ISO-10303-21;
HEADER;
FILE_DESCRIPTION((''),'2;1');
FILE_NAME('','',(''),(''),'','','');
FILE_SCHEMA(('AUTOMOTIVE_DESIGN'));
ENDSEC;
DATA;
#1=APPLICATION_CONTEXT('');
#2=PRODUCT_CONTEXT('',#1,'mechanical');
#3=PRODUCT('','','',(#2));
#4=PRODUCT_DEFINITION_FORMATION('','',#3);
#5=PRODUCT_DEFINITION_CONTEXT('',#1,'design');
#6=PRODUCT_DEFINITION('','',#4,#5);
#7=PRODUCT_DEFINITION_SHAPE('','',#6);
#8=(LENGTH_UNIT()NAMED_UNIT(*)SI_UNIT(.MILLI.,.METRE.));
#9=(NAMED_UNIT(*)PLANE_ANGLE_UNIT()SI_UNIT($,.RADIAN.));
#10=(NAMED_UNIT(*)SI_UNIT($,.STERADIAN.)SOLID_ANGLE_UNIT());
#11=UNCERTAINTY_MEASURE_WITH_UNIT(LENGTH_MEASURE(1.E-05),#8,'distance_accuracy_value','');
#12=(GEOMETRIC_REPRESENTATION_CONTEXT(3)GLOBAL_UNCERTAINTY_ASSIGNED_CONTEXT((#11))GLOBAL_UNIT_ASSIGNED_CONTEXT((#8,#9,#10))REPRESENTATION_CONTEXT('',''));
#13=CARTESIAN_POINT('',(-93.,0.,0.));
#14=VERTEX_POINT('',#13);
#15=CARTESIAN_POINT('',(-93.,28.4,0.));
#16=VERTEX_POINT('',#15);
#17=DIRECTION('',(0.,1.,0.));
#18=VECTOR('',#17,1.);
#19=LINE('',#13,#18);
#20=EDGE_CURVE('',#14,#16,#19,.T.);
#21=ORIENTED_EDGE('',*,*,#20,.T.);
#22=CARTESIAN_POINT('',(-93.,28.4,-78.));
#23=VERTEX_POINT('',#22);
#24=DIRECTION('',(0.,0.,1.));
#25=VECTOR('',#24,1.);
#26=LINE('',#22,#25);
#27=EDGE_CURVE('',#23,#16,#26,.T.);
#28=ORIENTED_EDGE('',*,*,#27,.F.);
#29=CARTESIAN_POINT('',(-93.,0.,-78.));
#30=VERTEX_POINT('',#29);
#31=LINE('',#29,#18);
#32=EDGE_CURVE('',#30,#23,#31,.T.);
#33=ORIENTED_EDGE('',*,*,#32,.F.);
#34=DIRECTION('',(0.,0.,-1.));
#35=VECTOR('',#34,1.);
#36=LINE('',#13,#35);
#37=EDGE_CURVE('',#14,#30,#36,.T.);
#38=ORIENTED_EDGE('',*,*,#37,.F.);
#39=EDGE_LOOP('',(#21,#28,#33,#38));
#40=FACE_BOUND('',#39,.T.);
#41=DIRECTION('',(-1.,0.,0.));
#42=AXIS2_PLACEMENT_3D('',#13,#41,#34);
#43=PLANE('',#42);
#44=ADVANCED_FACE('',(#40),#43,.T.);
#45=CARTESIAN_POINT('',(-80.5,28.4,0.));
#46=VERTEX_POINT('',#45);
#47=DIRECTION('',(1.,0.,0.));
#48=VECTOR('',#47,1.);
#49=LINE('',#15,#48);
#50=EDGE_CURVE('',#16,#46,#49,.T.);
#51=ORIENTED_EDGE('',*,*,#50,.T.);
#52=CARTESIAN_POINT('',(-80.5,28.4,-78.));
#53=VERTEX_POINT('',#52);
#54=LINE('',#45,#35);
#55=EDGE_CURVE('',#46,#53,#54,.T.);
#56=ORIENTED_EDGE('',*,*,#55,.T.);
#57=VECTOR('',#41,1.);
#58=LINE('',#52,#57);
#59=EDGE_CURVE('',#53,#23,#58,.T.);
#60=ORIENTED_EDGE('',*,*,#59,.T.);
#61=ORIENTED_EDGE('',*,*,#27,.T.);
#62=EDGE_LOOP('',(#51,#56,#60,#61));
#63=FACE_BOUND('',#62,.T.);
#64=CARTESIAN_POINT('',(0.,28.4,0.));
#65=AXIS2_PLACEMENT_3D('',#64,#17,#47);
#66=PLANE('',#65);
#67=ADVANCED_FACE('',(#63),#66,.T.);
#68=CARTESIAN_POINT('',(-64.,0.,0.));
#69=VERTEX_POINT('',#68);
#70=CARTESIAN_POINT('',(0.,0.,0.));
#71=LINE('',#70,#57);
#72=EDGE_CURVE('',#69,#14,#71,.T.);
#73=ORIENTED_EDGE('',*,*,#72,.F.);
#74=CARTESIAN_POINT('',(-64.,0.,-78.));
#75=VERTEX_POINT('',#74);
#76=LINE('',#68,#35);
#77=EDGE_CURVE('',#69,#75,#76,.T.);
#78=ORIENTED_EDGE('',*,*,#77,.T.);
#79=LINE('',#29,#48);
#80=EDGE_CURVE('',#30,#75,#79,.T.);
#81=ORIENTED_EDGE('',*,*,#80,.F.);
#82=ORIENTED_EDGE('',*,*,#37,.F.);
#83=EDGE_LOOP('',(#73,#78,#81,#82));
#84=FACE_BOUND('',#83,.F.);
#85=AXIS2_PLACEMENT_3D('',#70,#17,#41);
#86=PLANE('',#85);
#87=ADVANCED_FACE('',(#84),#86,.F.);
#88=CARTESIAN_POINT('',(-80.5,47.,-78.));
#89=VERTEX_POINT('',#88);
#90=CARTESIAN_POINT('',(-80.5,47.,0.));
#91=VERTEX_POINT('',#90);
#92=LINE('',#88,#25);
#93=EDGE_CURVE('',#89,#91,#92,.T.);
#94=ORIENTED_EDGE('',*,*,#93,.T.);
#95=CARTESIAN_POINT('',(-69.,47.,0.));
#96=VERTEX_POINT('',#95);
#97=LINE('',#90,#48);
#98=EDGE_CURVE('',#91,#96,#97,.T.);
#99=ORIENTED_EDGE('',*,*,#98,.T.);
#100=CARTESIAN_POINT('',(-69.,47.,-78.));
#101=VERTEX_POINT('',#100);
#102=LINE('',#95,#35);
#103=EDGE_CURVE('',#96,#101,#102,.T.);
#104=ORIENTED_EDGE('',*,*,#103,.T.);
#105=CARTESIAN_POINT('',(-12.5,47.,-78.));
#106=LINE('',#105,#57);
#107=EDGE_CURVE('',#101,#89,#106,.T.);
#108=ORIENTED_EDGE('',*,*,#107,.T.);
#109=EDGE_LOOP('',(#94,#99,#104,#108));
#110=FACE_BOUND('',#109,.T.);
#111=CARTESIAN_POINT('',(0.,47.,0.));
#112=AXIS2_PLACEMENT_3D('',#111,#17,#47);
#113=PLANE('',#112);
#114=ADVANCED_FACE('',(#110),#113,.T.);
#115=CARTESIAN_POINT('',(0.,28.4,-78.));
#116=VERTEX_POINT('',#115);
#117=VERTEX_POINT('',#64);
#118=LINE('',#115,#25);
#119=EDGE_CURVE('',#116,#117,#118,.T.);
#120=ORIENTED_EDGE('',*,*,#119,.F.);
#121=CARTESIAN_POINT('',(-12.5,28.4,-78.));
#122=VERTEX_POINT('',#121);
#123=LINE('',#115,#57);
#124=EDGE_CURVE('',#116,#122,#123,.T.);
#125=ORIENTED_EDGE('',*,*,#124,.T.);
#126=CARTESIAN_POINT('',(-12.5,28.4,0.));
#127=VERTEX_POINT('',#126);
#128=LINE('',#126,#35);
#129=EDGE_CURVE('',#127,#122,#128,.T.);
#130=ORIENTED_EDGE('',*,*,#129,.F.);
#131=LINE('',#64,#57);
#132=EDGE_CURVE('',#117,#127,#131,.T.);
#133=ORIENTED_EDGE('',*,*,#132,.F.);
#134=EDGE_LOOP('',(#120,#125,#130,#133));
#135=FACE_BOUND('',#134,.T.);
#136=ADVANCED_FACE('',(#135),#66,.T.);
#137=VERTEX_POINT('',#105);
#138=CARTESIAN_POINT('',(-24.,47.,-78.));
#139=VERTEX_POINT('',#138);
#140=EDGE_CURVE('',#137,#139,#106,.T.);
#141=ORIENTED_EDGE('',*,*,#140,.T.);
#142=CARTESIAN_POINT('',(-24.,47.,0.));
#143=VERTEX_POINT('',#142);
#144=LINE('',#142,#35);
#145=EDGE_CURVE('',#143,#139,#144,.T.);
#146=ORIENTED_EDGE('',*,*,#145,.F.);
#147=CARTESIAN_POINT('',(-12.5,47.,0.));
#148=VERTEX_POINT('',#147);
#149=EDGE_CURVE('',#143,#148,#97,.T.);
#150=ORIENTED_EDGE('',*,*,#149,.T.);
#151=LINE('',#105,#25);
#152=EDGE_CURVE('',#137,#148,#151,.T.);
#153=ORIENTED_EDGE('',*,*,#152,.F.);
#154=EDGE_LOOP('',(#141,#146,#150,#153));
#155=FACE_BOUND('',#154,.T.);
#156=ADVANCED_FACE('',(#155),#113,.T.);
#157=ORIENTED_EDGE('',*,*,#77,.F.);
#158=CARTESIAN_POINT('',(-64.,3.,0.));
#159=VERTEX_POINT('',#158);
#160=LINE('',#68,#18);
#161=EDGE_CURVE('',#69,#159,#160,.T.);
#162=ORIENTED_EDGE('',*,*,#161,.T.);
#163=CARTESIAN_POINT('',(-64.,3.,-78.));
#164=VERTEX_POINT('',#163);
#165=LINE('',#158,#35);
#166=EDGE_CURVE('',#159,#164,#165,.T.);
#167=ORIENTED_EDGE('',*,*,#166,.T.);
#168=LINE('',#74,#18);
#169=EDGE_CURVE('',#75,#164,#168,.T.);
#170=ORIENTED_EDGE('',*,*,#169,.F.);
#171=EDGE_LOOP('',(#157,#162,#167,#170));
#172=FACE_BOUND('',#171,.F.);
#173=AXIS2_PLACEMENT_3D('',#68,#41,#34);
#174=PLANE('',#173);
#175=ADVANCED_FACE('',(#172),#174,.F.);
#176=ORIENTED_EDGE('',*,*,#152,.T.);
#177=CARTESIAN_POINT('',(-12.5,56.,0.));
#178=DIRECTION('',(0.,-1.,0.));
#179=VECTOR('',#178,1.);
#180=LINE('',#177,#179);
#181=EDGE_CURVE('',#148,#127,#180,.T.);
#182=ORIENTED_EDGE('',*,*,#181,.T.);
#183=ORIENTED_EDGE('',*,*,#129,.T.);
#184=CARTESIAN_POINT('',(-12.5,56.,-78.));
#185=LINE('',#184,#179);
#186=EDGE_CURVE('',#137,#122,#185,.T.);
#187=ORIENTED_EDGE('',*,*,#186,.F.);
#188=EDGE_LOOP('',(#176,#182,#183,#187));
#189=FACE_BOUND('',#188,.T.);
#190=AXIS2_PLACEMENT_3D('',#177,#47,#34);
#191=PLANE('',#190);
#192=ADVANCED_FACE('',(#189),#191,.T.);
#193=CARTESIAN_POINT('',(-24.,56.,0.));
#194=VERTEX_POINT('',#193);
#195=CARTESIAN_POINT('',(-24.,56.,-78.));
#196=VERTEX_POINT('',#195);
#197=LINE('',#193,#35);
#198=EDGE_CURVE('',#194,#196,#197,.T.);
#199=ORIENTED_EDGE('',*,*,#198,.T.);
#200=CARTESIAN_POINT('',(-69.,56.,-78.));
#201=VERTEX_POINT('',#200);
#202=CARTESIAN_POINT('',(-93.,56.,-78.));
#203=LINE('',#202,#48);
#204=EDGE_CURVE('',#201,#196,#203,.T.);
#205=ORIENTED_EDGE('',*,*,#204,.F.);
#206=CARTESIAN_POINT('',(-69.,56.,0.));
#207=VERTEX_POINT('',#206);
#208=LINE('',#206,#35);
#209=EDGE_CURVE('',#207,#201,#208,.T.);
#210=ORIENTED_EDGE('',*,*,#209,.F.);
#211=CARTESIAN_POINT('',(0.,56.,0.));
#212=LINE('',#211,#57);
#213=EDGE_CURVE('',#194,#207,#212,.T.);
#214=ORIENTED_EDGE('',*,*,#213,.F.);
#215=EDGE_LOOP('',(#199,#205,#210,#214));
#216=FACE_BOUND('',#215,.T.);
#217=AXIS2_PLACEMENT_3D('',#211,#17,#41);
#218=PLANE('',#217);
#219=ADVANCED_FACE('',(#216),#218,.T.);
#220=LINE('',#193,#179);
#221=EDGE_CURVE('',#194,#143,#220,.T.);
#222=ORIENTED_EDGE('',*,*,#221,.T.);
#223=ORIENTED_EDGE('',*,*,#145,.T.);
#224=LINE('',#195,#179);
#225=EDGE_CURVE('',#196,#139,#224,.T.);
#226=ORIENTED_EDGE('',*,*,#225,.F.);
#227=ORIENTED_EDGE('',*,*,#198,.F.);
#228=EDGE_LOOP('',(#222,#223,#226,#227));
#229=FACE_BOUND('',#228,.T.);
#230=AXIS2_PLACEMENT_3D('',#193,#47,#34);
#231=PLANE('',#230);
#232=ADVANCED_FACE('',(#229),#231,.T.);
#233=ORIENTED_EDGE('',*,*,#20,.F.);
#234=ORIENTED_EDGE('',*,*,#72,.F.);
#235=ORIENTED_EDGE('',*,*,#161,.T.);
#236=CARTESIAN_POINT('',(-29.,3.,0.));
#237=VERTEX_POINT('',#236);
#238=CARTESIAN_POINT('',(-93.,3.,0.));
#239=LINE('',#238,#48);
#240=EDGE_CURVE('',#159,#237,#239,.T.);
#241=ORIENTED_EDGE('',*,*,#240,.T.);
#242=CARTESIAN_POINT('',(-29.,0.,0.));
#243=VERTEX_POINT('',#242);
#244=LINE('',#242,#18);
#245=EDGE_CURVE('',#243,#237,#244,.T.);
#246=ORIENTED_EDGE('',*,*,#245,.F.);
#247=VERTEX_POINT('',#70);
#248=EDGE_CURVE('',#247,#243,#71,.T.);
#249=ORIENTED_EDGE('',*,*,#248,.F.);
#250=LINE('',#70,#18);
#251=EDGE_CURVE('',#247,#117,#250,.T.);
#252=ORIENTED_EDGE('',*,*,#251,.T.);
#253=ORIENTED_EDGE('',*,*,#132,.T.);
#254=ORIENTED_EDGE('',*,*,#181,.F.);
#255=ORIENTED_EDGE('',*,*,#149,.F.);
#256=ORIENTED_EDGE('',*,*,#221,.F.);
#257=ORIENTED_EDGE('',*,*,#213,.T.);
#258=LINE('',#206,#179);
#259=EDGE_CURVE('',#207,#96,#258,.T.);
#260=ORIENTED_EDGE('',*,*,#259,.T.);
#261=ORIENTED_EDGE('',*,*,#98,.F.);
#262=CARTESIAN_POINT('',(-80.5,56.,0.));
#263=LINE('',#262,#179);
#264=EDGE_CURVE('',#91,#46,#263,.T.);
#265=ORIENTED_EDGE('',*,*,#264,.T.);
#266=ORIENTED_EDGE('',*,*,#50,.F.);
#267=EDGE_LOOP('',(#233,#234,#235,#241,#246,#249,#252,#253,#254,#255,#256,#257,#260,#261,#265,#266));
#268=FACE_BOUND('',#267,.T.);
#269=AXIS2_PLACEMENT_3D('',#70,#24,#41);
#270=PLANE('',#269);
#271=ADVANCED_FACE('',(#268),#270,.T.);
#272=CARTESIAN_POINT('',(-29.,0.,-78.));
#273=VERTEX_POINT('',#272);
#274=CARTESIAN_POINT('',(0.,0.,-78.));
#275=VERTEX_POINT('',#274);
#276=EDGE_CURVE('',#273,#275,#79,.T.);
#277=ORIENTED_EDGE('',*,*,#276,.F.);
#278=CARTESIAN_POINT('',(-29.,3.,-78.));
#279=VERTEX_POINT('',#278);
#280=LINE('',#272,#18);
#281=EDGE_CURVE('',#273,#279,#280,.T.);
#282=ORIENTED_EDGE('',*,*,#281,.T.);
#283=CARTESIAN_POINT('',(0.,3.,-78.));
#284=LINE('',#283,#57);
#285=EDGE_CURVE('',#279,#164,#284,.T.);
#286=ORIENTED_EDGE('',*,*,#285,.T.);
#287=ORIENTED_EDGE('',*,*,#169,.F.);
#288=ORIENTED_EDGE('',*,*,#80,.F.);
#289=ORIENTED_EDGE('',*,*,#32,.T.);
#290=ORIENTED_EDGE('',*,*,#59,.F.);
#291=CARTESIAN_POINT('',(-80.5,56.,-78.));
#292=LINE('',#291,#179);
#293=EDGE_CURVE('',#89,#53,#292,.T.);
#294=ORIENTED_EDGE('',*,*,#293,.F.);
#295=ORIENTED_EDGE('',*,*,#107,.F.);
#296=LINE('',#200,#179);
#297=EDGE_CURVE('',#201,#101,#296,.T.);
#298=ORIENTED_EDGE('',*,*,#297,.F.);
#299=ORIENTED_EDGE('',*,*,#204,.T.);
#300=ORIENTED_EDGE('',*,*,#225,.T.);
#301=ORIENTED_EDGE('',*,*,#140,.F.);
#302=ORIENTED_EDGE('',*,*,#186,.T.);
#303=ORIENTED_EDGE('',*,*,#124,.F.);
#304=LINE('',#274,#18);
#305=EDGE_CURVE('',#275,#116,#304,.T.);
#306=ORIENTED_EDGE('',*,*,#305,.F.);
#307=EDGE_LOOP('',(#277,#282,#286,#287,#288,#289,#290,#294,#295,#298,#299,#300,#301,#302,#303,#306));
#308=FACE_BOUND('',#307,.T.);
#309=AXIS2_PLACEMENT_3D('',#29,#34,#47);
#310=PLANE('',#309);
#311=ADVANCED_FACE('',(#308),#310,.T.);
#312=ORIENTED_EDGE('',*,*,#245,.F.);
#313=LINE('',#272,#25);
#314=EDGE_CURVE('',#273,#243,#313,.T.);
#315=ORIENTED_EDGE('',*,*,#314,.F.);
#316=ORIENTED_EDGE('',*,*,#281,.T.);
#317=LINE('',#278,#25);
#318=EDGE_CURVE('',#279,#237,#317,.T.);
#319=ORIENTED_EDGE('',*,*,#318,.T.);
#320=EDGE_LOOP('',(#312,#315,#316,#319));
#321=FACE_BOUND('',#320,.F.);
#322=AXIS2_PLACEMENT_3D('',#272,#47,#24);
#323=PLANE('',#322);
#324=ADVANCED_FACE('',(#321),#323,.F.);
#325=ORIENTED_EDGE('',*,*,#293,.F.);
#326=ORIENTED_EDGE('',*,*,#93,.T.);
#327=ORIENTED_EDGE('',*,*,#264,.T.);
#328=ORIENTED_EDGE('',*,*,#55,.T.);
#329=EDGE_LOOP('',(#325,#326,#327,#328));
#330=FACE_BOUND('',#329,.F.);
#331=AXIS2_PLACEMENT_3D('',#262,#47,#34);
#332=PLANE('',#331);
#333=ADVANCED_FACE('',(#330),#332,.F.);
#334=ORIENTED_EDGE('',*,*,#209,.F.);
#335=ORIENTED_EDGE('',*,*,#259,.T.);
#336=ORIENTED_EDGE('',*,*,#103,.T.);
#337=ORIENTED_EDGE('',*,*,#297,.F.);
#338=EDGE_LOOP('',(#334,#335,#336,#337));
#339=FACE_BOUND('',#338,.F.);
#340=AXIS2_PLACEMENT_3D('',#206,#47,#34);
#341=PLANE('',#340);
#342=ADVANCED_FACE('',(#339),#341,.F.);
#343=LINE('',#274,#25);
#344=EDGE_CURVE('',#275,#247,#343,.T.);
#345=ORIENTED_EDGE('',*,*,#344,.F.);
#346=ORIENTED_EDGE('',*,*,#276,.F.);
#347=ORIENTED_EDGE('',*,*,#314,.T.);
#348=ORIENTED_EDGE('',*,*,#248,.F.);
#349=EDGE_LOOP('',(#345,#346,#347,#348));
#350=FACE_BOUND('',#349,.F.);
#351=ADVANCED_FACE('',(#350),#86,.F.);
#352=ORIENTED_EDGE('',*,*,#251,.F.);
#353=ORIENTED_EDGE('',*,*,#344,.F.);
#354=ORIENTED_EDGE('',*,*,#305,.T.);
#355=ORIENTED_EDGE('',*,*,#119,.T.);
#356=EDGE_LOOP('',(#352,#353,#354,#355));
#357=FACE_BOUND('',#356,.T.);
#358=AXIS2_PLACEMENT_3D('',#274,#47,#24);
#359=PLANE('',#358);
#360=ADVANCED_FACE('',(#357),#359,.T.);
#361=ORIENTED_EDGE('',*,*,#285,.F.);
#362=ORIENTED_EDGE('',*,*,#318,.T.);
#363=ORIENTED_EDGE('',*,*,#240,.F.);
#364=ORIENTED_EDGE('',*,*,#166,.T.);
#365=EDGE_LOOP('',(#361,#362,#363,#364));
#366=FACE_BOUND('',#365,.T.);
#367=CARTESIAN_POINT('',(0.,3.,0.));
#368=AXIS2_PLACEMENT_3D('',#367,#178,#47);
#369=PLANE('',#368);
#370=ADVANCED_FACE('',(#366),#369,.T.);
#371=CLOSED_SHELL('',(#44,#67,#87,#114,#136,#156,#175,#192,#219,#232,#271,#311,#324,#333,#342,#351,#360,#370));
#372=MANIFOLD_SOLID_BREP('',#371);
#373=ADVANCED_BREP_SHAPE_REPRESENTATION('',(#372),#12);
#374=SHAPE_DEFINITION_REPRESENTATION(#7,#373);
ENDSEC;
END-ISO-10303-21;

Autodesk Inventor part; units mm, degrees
ref_plane "YZ Plane" through (0, 0, 0) normal (1, 0, 0) x (0, 1, 0)
ref_plane "XZ Plane" through (0, 0, 0) normal (0, 1, 0) x (-1, 0, 0)
ref_plane "XY Plane" through (0, 0, 0) normal (0, 0, 1) x (1, 0, 0)
sketch "Sketch1" plane through (0, 0, 0) normal (0, 1, 0) x (-1, 0, 0)
  line L0 (0, 0) -> (93, 0)
  line L1 (93, 0) -> (93, -78)
  line L2 (93, -78) -> (0, -78)
  line L3 (0, -78) -> (0, 0)
  dimension "d0" = 78
  dimension "d1" = 93
extrude "Extrusion1" add sketch "Sketch1" along normal blind 56
sketch "Sketch2" plane through (0, 0, 0) normal (0, -1, 0) x (1, 0, 0)
  line L0 (-93, 0) -> (0, 0) projected
  line L1 (0, -78) -> (-93, -78) projected
  line L2 (-29, 0) -> (-64, 0)
  line L3 (-64, 0) -> (-64, -78)
  line L4 (-64, -78) -> (-29, -78)
  line L5 (-29, -78) -> (-29, 0)
  line L6 (-93, -78) -> (-93, 0) projected
  dimension "d4" = 29
  dimension "d5" = 35
extrude "Extrusion2" cut sketch "Sketch2" against normal blind 3 contours L0 L5 L1 L3
sketch "Sketch3" plane through (0, 56, 0) normal (0, 1, 0) x (1, 0, 0)
  line L0 (0, 78) -> (-29, 78) projected
  line L1 (0, 0) -> (-12.5, 0)
  line L2 (-12.5, 0) -> (-12.5, 78)
  line L3 (-12.5, 78) -> (0, 78)
  line L4 (0, 78) -> (0, 0)
  line L5 (-93, 0) -> (-64, 0) projected
  line L6 (-93, 0) -> (-80.5, 0)
  line L7 (-80.5, 0) -> (-80.5, 78)
  line L8 (-80.5, 78) -> (-93, 78)
  line L9 (-93, 78) -> (-93, 0)
  dimension "d8" = 12.5
  dimension "d9" = 12.5
extrude "Extrusion3" cut sketch "Sketch3" against normal blind 27.6
sketch "Sketch4" plane through (0, 56, 0) normal (0, 1, 0) x (1, 0, 0)
  line L0 (-80.5, 0) -> (-12.5, 0) projected
  line L1 (-12.5, 78) -> (-80.5, 78) projected
  line L2 (-12.5, 0) -> (-24, 0)
  line L3 (-24, 0) -> (-24, 78)
  line L4 (-24, 78) -> (-12.5, 78)
  line L5 (-12.5, 78) -> (-12.5, 0)
  line L6 (-80.5, 0) -> (-69, 0)
  line L7 (-69, 0) -> (-69, 78)
  line L8 (-69, 78) -> (-80.5, 78)
  line L9 (-80.5, 78) -> (-80.5, 0)
  point P0 (0, 0)
  dimension "d12" = 11.5
  dimension "d13" = 11.5
extrude "Extrusion4" cut sketch "Sketch4" against normal blind 9 contours L9 L1 L7 L0 | L3 L1 L5 L0
properties part number "Supply"
